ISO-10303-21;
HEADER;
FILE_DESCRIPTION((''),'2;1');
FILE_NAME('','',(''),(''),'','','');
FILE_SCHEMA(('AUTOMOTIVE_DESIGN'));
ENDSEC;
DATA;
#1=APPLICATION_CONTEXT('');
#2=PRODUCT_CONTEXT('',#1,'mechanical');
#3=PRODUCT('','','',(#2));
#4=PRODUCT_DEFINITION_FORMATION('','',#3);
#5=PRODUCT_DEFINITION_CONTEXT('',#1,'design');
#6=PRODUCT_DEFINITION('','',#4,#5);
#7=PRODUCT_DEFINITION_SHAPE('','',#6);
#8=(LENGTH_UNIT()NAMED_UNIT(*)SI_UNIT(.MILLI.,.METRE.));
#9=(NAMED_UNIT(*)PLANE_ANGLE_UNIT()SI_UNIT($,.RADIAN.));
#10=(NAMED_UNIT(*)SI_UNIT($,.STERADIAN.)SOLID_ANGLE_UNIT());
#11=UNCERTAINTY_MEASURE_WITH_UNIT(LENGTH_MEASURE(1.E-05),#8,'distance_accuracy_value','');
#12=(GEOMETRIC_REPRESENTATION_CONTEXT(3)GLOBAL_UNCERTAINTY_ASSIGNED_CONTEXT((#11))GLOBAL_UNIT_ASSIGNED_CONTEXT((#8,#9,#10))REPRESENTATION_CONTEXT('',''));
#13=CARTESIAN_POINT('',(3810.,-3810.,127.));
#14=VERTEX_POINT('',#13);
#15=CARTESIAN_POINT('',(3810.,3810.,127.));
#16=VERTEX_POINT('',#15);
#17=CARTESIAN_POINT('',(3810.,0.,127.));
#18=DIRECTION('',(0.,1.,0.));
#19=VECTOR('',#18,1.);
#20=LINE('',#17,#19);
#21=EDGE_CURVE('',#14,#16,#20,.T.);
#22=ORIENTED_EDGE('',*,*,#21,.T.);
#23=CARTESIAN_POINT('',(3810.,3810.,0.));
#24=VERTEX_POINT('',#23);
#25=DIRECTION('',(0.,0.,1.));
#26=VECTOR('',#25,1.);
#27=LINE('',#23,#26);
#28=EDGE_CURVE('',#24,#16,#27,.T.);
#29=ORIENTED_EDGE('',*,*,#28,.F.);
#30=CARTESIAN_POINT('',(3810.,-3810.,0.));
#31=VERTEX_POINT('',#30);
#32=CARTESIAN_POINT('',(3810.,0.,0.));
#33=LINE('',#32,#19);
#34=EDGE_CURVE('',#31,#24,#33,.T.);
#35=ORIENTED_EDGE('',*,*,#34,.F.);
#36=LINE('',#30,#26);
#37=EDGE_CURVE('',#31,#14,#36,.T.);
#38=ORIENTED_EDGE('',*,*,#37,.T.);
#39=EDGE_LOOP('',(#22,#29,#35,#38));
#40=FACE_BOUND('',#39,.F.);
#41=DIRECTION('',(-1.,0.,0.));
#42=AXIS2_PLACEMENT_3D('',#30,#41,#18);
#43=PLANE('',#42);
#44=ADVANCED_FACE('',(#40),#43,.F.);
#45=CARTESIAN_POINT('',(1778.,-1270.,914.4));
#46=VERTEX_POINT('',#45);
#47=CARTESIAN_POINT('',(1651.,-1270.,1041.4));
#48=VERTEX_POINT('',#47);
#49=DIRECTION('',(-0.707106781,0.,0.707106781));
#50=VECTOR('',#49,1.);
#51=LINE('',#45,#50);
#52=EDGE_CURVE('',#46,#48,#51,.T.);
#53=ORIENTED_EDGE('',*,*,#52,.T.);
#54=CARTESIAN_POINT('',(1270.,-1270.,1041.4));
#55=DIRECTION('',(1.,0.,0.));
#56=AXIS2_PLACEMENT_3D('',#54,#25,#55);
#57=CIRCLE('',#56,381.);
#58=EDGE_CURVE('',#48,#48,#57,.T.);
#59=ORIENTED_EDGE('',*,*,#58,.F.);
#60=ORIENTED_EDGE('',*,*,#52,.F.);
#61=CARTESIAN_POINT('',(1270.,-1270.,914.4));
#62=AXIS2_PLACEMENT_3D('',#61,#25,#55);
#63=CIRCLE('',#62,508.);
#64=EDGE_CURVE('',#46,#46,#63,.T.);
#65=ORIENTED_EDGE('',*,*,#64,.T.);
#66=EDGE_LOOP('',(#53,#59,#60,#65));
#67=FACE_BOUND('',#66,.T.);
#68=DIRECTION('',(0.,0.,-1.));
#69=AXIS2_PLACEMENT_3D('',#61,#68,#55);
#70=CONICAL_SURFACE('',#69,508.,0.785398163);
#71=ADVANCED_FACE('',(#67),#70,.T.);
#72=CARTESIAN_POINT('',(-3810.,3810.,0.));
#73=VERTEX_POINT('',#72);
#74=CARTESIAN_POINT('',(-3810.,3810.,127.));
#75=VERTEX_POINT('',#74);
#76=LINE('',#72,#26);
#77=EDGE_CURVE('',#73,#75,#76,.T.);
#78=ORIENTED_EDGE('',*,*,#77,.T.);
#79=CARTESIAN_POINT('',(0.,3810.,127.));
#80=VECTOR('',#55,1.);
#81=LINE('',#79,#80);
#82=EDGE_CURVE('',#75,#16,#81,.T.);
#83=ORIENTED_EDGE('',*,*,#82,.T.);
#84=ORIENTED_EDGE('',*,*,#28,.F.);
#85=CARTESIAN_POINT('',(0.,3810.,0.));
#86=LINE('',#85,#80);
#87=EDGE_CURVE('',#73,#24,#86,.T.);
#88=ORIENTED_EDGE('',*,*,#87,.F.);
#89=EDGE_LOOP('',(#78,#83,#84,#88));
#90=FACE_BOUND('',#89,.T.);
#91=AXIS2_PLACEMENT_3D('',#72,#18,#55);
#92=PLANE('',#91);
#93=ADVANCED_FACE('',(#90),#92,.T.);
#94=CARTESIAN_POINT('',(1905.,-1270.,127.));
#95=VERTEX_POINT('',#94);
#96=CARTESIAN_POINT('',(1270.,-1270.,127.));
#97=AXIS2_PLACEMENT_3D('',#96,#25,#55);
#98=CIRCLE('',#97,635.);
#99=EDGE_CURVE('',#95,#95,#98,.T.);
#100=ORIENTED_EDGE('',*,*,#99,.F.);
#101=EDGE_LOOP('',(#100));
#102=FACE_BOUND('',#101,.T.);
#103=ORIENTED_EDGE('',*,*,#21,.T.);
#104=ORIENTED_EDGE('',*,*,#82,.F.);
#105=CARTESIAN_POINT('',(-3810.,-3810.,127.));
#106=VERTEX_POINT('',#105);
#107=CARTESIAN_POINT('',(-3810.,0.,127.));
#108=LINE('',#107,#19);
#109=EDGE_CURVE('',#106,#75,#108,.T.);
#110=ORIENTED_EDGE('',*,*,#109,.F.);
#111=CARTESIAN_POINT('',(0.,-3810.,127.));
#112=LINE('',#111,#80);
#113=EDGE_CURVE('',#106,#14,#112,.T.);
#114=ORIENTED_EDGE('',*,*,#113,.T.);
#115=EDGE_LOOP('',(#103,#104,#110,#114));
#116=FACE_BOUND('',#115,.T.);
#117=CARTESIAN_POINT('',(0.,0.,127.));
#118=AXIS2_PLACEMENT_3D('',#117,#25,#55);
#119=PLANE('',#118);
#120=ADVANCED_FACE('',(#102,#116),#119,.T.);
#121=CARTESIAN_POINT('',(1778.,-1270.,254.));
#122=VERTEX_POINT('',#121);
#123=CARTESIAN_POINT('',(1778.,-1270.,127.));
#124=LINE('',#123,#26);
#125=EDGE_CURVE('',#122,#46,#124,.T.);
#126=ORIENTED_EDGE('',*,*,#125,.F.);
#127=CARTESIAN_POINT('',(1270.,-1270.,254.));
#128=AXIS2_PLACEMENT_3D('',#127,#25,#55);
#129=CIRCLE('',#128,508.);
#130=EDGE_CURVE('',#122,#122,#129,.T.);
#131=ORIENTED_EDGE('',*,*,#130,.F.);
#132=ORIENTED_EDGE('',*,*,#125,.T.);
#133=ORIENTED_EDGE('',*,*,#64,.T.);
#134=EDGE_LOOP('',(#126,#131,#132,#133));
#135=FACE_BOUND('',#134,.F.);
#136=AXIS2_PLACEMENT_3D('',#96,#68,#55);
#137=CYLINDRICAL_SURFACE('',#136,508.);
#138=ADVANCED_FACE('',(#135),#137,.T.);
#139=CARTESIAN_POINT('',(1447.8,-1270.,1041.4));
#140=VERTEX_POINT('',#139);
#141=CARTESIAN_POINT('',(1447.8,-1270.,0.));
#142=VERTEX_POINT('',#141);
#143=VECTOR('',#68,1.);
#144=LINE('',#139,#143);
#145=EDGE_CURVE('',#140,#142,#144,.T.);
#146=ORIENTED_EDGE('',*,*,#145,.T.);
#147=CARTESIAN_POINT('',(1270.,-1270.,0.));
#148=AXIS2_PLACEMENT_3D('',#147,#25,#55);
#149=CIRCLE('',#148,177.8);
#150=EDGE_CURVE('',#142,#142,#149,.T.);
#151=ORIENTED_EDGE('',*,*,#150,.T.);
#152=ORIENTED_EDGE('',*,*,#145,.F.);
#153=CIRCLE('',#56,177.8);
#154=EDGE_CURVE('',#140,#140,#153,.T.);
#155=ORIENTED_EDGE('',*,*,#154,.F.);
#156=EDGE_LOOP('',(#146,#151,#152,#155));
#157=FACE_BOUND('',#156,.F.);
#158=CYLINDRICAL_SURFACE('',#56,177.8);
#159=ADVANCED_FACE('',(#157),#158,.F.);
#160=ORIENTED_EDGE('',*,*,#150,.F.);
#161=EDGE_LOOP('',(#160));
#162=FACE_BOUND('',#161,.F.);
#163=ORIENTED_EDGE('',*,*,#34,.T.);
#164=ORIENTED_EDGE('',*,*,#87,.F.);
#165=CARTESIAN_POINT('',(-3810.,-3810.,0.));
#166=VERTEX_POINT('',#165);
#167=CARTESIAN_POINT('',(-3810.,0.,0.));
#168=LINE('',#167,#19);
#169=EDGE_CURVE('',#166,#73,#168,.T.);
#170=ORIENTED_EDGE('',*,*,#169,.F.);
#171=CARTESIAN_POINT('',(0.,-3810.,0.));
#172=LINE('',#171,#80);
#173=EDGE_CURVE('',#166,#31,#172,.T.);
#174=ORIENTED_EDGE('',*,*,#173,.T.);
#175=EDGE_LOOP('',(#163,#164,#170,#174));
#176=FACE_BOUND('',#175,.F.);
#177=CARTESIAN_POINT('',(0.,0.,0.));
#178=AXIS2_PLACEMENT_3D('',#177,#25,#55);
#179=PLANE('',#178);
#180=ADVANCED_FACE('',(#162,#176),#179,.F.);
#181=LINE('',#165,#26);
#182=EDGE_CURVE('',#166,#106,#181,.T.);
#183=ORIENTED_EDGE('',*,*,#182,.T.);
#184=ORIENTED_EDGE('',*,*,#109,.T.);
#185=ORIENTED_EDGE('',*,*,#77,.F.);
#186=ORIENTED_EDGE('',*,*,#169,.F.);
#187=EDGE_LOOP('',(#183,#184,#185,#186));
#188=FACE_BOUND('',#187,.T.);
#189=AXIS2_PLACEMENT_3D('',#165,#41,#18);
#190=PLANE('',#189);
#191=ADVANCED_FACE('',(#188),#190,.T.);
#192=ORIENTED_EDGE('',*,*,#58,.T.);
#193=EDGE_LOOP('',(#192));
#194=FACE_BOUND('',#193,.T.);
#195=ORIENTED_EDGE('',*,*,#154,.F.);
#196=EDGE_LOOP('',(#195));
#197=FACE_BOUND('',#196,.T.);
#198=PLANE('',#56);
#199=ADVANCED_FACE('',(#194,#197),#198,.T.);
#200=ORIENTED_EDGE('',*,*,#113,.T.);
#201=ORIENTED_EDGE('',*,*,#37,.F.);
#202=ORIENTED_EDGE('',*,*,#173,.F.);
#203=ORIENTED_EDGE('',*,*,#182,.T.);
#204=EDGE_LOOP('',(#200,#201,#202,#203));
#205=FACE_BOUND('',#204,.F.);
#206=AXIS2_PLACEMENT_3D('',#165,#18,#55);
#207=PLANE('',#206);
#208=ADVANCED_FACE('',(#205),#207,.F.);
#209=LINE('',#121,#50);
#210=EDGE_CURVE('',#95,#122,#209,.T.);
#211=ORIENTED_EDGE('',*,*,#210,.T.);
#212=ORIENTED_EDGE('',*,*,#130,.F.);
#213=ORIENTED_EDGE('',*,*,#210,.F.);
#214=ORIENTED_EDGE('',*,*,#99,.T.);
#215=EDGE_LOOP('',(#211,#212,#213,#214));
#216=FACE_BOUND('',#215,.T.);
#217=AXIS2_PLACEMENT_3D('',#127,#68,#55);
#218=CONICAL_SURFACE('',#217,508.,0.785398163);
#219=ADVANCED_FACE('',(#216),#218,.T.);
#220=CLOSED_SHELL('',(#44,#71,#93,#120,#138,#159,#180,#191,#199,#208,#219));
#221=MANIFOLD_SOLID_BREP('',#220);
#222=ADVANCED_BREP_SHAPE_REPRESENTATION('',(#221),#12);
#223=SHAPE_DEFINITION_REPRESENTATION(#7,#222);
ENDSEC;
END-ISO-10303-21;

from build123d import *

# Parameters (mm, degrees)
F0_W     = 7620
F0_H     = 7620
F1_DEPTH = 127
F2_R     = 508
F3_DEPTH = 914.4
F4_SIZE  = 127
F5_R     = 177.8
F6_DEPTH = 1041.401


with BuildPart() as f1:
    # F0 (on Top) → F1 (new body)
    with BuildSketch(Plane.XY):
        Rectangle(F0_W, F0_H)
    extrude(amount=F1_DEPTH)

    # F2 (on face) → F3 (join)
    with BuildSketch(Plane.XY.offset(127)):
        with Locations((1270, -1270)):
            Circle(F2_R)
    extrude(amount=F3_DEPTH)

    # F4
    f4_edges = [f1.edges().sort_by_distance(p)[0] for p in [
        (762, -1270, 1041.4),
        (762, -1270, 127),
    ]]
    chamfer(f4_edges, length=F4_SIZE)

    # F5 (on face) → F6 (cut, through all)
    with BuildSketch(Plane.XY.offset(1041.4)):
        with Locations((1270, -1270)):
            Circle(F5_R)
    extrude(amount=-F6_DEPTH, mode=Mode.SUBTRACT)


solid = f1.part
